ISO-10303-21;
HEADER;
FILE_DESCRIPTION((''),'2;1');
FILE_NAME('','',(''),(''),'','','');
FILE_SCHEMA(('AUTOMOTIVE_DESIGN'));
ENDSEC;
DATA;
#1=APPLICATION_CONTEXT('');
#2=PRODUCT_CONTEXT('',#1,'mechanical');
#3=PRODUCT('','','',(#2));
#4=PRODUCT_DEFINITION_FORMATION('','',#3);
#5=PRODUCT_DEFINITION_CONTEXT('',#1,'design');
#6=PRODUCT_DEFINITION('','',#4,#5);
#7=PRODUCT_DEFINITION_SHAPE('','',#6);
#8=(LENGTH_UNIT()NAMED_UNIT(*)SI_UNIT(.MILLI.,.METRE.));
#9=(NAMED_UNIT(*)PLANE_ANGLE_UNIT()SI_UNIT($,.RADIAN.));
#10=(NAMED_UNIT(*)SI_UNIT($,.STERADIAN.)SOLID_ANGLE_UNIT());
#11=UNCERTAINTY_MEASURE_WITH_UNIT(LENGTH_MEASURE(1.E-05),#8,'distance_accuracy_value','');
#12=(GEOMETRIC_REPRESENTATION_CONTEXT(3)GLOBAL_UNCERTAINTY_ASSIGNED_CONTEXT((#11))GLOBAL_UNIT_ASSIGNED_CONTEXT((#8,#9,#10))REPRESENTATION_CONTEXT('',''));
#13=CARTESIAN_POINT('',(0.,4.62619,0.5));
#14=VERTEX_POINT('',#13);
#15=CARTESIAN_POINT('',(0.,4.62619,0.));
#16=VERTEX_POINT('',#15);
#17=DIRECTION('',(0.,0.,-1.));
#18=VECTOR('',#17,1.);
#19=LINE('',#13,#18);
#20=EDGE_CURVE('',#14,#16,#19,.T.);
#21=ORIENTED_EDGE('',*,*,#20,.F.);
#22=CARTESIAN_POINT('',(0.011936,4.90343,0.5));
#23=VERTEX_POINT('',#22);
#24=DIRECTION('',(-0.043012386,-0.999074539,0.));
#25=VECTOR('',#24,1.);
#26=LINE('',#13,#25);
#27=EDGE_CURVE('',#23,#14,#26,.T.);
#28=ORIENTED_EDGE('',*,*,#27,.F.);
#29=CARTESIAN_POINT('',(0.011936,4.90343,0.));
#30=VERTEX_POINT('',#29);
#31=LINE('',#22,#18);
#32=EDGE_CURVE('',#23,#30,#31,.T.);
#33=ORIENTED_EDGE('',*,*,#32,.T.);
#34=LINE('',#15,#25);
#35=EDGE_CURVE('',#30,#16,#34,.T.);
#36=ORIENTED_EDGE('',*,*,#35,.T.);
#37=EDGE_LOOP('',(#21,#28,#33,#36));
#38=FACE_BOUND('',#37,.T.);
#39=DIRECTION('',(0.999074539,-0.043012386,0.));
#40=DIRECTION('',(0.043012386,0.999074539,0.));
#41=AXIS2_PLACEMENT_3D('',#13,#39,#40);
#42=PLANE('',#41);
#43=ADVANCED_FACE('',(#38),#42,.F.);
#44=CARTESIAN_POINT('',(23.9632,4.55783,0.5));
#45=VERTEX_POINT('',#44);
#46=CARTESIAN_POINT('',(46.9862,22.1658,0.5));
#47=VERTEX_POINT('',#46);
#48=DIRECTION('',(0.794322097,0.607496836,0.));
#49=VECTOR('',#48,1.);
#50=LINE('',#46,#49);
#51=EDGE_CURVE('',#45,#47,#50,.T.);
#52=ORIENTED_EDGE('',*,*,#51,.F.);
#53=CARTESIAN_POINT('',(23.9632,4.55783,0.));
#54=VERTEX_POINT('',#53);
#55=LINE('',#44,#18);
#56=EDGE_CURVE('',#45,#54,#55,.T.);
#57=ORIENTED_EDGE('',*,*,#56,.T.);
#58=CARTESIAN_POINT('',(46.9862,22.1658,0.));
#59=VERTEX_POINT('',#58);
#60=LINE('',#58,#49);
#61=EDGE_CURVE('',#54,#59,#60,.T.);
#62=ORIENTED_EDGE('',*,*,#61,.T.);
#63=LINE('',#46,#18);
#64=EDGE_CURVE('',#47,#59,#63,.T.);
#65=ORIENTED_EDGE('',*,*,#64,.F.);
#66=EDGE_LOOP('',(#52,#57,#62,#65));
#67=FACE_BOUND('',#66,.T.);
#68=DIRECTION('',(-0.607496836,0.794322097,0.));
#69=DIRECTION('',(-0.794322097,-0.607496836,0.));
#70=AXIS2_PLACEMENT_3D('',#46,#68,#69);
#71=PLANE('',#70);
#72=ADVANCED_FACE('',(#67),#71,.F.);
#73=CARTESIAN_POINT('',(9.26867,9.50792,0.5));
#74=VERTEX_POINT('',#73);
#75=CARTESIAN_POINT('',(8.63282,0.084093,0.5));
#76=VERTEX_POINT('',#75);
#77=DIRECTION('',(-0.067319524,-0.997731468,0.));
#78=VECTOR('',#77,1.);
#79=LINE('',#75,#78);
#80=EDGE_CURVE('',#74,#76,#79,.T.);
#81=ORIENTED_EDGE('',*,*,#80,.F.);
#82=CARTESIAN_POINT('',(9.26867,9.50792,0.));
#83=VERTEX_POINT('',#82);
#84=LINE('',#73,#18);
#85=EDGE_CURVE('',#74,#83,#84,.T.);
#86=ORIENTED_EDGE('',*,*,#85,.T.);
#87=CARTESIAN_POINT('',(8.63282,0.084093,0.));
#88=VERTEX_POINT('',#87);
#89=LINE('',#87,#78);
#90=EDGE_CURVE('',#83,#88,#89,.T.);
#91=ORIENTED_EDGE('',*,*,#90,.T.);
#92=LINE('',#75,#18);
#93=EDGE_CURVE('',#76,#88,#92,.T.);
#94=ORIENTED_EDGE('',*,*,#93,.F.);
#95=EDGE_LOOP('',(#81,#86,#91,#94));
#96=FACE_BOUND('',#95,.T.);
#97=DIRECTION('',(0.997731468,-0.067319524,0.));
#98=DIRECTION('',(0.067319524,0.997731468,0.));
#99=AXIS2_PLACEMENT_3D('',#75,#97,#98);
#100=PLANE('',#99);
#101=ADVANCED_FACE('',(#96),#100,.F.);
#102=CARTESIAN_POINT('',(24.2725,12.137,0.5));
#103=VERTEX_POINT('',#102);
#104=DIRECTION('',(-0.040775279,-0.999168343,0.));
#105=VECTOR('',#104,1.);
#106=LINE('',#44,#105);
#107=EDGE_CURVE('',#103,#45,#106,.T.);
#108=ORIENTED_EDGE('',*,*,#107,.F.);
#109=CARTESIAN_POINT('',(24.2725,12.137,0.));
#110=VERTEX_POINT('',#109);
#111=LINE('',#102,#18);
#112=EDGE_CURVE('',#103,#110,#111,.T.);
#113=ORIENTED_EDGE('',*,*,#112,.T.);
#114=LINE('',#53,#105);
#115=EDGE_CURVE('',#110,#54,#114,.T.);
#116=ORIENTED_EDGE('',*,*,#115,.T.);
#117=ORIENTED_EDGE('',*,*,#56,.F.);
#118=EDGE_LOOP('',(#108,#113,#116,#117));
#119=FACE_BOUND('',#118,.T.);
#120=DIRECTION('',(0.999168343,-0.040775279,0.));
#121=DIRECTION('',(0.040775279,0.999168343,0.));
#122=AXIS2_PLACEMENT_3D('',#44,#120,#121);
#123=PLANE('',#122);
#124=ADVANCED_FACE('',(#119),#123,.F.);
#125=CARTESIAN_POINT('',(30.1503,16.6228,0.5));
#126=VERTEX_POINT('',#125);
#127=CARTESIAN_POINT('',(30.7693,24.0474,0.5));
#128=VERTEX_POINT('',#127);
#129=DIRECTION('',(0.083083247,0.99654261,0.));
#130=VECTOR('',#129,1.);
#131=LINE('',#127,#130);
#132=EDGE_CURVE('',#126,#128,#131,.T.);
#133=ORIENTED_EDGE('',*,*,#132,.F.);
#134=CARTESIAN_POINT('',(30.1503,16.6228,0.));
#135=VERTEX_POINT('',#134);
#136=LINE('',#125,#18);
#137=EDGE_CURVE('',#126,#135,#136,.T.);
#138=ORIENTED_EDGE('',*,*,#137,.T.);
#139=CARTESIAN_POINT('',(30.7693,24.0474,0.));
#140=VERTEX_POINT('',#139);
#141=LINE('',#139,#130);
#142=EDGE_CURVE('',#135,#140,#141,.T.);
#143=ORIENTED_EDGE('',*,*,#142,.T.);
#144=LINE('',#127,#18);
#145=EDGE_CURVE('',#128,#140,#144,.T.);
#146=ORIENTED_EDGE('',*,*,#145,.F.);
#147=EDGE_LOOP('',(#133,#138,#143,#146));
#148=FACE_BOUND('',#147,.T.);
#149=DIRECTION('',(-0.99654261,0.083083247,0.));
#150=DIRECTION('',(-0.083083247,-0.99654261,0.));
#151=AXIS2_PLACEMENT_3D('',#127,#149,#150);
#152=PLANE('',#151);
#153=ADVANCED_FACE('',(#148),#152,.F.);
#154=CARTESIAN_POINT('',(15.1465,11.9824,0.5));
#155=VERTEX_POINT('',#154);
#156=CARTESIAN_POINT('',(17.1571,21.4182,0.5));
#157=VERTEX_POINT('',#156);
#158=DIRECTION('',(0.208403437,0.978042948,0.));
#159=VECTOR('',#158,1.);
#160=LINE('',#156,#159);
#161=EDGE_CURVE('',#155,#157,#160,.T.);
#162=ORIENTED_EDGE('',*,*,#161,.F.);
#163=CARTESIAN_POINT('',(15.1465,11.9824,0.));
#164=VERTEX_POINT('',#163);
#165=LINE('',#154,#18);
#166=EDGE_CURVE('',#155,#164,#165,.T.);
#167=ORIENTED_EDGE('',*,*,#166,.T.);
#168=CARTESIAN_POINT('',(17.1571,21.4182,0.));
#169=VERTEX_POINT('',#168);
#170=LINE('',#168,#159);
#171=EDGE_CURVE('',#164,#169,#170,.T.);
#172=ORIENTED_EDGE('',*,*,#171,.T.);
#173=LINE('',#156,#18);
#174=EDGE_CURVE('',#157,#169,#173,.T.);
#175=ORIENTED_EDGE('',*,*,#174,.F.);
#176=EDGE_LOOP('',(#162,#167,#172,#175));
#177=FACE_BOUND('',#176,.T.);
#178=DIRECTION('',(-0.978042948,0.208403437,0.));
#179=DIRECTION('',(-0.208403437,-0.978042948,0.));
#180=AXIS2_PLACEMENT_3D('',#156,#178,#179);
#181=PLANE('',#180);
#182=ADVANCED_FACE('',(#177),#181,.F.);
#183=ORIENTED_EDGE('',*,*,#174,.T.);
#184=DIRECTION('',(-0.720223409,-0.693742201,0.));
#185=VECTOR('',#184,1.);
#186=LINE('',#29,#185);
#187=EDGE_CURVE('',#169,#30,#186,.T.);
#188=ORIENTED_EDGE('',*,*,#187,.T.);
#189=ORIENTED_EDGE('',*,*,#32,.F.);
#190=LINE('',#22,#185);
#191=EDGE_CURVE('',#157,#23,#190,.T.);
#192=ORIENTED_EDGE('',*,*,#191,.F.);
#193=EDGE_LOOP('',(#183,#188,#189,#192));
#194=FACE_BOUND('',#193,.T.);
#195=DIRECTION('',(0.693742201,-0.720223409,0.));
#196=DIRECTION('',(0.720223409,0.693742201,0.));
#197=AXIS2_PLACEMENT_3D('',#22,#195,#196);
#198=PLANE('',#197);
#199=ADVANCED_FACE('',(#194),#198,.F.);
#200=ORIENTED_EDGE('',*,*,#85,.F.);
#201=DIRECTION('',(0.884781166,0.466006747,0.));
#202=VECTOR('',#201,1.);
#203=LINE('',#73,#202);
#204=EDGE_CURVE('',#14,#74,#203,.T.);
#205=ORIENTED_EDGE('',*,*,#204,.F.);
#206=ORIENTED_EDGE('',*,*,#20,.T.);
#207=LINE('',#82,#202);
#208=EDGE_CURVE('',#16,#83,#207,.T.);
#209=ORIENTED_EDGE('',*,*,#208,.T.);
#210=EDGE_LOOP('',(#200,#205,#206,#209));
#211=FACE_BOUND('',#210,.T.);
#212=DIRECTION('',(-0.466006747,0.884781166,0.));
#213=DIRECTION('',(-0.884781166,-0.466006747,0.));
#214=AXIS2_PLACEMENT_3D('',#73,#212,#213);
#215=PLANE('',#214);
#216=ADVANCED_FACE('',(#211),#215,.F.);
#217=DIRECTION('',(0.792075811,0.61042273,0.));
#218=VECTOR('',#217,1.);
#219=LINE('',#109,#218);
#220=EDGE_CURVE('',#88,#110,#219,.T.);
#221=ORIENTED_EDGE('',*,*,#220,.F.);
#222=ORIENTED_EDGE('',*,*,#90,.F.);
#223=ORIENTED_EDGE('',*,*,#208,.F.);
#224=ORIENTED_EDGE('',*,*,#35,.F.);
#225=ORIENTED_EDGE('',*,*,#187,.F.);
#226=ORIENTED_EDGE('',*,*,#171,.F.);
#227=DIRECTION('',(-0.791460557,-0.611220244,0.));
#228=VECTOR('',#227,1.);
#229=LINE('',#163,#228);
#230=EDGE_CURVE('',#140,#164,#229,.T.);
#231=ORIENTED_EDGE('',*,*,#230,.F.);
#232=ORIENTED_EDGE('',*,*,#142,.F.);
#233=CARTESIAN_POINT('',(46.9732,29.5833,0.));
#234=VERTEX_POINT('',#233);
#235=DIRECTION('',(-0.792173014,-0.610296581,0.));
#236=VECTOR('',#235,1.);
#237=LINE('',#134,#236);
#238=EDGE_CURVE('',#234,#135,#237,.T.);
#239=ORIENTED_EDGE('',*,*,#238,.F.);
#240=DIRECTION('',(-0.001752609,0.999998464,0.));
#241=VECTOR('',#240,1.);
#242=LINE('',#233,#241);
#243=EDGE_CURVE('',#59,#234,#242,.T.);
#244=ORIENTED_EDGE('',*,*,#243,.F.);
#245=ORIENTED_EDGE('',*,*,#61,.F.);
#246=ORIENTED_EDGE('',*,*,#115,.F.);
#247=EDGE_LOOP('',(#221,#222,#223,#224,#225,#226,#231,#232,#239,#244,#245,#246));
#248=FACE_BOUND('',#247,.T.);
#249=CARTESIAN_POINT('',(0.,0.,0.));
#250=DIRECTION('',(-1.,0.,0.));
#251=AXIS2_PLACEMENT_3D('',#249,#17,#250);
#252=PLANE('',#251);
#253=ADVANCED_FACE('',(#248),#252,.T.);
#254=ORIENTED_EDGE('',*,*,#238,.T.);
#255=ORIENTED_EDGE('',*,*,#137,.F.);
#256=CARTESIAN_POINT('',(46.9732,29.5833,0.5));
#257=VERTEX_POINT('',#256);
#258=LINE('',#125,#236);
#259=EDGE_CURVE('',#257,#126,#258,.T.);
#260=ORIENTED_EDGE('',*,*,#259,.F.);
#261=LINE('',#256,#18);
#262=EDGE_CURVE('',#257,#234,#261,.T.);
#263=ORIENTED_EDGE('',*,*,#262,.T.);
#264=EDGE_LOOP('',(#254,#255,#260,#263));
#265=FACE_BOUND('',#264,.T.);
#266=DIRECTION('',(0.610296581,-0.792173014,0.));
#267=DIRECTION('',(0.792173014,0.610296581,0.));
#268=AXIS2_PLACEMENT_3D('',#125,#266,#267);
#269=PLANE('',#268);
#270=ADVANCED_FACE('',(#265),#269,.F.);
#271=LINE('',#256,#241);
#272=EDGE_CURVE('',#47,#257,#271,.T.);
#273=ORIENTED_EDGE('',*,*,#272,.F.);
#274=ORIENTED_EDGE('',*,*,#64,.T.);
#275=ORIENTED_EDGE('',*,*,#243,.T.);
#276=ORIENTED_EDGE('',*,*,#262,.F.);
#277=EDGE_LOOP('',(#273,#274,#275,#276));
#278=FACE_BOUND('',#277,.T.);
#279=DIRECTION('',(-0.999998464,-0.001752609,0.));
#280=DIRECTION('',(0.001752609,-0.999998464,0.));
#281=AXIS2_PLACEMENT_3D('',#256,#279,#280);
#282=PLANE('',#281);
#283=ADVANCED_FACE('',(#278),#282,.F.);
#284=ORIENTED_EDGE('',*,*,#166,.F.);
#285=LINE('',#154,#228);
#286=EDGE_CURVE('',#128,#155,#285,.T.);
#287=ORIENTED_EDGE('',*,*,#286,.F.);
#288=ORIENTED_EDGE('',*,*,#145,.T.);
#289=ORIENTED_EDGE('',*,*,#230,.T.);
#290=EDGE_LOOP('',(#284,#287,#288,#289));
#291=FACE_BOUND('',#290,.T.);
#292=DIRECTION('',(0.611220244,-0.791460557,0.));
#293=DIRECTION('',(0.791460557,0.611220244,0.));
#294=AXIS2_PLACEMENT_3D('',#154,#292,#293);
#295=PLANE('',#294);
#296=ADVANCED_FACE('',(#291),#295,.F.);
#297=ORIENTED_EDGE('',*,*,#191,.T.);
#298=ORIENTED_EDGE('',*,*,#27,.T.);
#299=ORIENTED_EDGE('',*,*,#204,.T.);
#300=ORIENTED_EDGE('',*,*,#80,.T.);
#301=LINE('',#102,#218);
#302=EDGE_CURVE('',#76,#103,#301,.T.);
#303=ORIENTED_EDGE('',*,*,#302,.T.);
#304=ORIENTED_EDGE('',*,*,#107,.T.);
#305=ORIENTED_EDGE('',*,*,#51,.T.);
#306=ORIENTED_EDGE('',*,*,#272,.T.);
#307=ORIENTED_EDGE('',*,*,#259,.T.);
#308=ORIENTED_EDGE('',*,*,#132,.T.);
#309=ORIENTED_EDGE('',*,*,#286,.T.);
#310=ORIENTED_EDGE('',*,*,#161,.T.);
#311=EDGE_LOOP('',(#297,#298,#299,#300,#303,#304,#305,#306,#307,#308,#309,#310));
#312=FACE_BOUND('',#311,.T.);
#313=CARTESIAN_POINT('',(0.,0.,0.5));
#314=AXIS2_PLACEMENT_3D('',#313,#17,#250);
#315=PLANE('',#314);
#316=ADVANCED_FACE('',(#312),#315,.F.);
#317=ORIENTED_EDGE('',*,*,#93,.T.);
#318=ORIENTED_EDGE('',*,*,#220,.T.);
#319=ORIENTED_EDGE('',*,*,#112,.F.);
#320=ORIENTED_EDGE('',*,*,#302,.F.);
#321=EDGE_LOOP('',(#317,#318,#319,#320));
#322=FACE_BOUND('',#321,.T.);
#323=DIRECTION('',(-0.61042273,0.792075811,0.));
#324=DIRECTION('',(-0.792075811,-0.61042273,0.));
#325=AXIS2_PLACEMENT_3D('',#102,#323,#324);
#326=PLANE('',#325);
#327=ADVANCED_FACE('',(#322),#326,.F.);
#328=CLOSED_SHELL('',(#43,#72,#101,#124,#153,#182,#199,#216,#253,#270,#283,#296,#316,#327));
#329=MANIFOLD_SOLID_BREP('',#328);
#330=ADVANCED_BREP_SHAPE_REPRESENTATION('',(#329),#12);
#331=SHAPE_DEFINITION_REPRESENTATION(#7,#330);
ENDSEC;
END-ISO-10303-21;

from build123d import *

# Parameters (mm, degrees)
BOSS_EXTRUDE1_DEPTH = 0.5


with BuildPart() as part:
    # Model → Boss-Extrude1 (new body)
    with BuildSketch(Plane.XY):
        Polygon((46.9862, 22.1658), (23.9632, 4.55783), (24.2725, 12.137), (8.63282, 0.0840929), (9.26867, 9.50792), (0, 4.62619), (0.0119358, 4.90343), (17.1571, 21.4182), (15.1465, 11.9824), (30.7693, 24.0474), (30.1503, 16.6228), (46.9732, 29.5833), align=None)
    extrude(amount=BOSS_EXTRUDE1_DEPTH)


solid = part.part
